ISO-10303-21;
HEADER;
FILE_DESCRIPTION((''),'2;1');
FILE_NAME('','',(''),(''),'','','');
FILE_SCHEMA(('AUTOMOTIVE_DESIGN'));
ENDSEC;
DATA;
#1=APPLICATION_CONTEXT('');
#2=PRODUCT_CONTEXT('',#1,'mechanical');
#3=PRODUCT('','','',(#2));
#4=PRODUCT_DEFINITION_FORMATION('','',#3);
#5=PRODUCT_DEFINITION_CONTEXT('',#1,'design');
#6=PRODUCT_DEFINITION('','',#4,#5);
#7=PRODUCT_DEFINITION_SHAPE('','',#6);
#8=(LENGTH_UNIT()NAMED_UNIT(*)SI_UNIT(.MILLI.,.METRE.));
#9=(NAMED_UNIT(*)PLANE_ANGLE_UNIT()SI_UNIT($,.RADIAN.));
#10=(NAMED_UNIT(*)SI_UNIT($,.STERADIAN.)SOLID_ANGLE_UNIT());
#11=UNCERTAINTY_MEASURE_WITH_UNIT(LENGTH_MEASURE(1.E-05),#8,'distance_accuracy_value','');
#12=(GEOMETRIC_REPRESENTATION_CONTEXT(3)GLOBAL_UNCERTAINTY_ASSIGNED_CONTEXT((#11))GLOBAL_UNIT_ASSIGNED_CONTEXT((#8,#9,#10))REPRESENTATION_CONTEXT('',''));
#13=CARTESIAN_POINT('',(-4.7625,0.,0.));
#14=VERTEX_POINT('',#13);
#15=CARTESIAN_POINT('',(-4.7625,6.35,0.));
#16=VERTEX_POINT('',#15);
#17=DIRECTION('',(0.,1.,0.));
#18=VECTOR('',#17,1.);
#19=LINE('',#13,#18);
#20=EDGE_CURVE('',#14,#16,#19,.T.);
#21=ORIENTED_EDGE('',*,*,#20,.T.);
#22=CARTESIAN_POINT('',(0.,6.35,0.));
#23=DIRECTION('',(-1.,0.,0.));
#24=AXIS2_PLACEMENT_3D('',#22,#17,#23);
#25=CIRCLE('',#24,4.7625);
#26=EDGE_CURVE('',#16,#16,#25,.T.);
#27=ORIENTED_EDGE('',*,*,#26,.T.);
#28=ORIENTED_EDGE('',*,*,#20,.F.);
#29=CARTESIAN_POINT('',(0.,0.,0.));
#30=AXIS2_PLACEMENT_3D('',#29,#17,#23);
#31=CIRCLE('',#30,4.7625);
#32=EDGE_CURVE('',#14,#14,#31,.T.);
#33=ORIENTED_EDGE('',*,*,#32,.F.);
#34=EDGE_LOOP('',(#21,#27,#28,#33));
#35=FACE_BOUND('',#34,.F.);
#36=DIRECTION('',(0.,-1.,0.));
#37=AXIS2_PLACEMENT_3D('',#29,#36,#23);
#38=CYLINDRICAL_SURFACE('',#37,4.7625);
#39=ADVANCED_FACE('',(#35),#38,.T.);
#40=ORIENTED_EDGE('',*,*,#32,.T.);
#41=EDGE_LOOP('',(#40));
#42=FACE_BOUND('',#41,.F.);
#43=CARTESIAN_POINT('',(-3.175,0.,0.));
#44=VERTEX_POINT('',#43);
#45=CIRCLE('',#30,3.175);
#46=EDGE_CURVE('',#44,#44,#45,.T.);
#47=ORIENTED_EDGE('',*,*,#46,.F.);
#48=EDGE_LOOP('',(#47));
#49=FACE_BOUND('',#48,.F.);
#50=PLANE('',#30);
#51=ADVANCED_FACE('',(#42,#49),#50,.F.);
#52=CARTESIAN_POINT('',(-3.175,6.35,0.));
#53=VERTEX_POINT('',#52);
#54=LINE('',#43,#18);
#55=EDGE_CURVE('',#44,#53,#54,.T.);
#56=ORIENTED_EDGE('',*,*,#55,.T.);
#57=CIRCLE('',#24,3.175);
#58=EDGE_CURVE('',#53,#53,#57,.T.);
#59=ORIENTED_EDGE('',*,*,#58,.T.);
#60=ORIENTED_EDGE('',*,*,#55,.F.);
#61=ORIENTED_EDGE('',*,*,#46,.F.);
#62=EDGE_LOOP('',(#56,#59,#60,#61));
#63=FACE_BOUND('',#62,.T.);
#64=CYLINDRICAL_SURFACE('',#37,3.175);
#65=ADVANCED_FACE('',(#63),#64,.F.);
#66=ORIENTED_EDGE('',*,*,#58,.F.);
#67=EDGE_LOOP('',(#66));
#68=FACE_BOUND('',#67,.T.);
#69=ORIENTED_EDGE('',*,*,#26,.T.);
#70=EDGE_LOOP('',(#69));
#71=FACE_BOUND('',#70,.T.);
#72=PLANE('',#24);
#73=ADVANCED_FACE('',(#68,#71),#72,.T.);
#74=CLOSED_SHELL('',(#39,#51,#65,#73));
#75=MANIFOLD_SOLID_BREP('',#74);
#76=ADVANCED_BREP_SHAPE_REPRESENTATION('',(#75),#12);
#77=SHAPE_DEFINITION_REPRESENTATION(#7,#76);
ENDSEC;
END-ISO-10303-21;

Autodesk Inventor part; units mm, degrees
ref_plane "YZ Plane" through (0, 0, 0) normal (1, 0, 0) x (0, 1, 0)
ref_plane "XZ Plane" through (0, 0, 0) normal (0, 1, 0) x (-1, 0, 0)
ref_plane "XY Plane" through (0, 0, 0) normal (0, 0, 1) x (1, 0, 0)
sketch "Sketch1" plane through (0, 0, 0) normal (0, 1, 0) x (-1, 0, 0)
  circle A0 centre (0, 0) radius 4.7625
  circle A1 centre (0, 0) radius 3.175
  dimension "d0" = 9.525
  dimension "d1" = 6.35
extrude "Extrusion1" add sketch "Sketch1" along normal blind 6.35
properties part number "OUTK_006_OiliteBushing" material "Brass, Soft Yellow"
